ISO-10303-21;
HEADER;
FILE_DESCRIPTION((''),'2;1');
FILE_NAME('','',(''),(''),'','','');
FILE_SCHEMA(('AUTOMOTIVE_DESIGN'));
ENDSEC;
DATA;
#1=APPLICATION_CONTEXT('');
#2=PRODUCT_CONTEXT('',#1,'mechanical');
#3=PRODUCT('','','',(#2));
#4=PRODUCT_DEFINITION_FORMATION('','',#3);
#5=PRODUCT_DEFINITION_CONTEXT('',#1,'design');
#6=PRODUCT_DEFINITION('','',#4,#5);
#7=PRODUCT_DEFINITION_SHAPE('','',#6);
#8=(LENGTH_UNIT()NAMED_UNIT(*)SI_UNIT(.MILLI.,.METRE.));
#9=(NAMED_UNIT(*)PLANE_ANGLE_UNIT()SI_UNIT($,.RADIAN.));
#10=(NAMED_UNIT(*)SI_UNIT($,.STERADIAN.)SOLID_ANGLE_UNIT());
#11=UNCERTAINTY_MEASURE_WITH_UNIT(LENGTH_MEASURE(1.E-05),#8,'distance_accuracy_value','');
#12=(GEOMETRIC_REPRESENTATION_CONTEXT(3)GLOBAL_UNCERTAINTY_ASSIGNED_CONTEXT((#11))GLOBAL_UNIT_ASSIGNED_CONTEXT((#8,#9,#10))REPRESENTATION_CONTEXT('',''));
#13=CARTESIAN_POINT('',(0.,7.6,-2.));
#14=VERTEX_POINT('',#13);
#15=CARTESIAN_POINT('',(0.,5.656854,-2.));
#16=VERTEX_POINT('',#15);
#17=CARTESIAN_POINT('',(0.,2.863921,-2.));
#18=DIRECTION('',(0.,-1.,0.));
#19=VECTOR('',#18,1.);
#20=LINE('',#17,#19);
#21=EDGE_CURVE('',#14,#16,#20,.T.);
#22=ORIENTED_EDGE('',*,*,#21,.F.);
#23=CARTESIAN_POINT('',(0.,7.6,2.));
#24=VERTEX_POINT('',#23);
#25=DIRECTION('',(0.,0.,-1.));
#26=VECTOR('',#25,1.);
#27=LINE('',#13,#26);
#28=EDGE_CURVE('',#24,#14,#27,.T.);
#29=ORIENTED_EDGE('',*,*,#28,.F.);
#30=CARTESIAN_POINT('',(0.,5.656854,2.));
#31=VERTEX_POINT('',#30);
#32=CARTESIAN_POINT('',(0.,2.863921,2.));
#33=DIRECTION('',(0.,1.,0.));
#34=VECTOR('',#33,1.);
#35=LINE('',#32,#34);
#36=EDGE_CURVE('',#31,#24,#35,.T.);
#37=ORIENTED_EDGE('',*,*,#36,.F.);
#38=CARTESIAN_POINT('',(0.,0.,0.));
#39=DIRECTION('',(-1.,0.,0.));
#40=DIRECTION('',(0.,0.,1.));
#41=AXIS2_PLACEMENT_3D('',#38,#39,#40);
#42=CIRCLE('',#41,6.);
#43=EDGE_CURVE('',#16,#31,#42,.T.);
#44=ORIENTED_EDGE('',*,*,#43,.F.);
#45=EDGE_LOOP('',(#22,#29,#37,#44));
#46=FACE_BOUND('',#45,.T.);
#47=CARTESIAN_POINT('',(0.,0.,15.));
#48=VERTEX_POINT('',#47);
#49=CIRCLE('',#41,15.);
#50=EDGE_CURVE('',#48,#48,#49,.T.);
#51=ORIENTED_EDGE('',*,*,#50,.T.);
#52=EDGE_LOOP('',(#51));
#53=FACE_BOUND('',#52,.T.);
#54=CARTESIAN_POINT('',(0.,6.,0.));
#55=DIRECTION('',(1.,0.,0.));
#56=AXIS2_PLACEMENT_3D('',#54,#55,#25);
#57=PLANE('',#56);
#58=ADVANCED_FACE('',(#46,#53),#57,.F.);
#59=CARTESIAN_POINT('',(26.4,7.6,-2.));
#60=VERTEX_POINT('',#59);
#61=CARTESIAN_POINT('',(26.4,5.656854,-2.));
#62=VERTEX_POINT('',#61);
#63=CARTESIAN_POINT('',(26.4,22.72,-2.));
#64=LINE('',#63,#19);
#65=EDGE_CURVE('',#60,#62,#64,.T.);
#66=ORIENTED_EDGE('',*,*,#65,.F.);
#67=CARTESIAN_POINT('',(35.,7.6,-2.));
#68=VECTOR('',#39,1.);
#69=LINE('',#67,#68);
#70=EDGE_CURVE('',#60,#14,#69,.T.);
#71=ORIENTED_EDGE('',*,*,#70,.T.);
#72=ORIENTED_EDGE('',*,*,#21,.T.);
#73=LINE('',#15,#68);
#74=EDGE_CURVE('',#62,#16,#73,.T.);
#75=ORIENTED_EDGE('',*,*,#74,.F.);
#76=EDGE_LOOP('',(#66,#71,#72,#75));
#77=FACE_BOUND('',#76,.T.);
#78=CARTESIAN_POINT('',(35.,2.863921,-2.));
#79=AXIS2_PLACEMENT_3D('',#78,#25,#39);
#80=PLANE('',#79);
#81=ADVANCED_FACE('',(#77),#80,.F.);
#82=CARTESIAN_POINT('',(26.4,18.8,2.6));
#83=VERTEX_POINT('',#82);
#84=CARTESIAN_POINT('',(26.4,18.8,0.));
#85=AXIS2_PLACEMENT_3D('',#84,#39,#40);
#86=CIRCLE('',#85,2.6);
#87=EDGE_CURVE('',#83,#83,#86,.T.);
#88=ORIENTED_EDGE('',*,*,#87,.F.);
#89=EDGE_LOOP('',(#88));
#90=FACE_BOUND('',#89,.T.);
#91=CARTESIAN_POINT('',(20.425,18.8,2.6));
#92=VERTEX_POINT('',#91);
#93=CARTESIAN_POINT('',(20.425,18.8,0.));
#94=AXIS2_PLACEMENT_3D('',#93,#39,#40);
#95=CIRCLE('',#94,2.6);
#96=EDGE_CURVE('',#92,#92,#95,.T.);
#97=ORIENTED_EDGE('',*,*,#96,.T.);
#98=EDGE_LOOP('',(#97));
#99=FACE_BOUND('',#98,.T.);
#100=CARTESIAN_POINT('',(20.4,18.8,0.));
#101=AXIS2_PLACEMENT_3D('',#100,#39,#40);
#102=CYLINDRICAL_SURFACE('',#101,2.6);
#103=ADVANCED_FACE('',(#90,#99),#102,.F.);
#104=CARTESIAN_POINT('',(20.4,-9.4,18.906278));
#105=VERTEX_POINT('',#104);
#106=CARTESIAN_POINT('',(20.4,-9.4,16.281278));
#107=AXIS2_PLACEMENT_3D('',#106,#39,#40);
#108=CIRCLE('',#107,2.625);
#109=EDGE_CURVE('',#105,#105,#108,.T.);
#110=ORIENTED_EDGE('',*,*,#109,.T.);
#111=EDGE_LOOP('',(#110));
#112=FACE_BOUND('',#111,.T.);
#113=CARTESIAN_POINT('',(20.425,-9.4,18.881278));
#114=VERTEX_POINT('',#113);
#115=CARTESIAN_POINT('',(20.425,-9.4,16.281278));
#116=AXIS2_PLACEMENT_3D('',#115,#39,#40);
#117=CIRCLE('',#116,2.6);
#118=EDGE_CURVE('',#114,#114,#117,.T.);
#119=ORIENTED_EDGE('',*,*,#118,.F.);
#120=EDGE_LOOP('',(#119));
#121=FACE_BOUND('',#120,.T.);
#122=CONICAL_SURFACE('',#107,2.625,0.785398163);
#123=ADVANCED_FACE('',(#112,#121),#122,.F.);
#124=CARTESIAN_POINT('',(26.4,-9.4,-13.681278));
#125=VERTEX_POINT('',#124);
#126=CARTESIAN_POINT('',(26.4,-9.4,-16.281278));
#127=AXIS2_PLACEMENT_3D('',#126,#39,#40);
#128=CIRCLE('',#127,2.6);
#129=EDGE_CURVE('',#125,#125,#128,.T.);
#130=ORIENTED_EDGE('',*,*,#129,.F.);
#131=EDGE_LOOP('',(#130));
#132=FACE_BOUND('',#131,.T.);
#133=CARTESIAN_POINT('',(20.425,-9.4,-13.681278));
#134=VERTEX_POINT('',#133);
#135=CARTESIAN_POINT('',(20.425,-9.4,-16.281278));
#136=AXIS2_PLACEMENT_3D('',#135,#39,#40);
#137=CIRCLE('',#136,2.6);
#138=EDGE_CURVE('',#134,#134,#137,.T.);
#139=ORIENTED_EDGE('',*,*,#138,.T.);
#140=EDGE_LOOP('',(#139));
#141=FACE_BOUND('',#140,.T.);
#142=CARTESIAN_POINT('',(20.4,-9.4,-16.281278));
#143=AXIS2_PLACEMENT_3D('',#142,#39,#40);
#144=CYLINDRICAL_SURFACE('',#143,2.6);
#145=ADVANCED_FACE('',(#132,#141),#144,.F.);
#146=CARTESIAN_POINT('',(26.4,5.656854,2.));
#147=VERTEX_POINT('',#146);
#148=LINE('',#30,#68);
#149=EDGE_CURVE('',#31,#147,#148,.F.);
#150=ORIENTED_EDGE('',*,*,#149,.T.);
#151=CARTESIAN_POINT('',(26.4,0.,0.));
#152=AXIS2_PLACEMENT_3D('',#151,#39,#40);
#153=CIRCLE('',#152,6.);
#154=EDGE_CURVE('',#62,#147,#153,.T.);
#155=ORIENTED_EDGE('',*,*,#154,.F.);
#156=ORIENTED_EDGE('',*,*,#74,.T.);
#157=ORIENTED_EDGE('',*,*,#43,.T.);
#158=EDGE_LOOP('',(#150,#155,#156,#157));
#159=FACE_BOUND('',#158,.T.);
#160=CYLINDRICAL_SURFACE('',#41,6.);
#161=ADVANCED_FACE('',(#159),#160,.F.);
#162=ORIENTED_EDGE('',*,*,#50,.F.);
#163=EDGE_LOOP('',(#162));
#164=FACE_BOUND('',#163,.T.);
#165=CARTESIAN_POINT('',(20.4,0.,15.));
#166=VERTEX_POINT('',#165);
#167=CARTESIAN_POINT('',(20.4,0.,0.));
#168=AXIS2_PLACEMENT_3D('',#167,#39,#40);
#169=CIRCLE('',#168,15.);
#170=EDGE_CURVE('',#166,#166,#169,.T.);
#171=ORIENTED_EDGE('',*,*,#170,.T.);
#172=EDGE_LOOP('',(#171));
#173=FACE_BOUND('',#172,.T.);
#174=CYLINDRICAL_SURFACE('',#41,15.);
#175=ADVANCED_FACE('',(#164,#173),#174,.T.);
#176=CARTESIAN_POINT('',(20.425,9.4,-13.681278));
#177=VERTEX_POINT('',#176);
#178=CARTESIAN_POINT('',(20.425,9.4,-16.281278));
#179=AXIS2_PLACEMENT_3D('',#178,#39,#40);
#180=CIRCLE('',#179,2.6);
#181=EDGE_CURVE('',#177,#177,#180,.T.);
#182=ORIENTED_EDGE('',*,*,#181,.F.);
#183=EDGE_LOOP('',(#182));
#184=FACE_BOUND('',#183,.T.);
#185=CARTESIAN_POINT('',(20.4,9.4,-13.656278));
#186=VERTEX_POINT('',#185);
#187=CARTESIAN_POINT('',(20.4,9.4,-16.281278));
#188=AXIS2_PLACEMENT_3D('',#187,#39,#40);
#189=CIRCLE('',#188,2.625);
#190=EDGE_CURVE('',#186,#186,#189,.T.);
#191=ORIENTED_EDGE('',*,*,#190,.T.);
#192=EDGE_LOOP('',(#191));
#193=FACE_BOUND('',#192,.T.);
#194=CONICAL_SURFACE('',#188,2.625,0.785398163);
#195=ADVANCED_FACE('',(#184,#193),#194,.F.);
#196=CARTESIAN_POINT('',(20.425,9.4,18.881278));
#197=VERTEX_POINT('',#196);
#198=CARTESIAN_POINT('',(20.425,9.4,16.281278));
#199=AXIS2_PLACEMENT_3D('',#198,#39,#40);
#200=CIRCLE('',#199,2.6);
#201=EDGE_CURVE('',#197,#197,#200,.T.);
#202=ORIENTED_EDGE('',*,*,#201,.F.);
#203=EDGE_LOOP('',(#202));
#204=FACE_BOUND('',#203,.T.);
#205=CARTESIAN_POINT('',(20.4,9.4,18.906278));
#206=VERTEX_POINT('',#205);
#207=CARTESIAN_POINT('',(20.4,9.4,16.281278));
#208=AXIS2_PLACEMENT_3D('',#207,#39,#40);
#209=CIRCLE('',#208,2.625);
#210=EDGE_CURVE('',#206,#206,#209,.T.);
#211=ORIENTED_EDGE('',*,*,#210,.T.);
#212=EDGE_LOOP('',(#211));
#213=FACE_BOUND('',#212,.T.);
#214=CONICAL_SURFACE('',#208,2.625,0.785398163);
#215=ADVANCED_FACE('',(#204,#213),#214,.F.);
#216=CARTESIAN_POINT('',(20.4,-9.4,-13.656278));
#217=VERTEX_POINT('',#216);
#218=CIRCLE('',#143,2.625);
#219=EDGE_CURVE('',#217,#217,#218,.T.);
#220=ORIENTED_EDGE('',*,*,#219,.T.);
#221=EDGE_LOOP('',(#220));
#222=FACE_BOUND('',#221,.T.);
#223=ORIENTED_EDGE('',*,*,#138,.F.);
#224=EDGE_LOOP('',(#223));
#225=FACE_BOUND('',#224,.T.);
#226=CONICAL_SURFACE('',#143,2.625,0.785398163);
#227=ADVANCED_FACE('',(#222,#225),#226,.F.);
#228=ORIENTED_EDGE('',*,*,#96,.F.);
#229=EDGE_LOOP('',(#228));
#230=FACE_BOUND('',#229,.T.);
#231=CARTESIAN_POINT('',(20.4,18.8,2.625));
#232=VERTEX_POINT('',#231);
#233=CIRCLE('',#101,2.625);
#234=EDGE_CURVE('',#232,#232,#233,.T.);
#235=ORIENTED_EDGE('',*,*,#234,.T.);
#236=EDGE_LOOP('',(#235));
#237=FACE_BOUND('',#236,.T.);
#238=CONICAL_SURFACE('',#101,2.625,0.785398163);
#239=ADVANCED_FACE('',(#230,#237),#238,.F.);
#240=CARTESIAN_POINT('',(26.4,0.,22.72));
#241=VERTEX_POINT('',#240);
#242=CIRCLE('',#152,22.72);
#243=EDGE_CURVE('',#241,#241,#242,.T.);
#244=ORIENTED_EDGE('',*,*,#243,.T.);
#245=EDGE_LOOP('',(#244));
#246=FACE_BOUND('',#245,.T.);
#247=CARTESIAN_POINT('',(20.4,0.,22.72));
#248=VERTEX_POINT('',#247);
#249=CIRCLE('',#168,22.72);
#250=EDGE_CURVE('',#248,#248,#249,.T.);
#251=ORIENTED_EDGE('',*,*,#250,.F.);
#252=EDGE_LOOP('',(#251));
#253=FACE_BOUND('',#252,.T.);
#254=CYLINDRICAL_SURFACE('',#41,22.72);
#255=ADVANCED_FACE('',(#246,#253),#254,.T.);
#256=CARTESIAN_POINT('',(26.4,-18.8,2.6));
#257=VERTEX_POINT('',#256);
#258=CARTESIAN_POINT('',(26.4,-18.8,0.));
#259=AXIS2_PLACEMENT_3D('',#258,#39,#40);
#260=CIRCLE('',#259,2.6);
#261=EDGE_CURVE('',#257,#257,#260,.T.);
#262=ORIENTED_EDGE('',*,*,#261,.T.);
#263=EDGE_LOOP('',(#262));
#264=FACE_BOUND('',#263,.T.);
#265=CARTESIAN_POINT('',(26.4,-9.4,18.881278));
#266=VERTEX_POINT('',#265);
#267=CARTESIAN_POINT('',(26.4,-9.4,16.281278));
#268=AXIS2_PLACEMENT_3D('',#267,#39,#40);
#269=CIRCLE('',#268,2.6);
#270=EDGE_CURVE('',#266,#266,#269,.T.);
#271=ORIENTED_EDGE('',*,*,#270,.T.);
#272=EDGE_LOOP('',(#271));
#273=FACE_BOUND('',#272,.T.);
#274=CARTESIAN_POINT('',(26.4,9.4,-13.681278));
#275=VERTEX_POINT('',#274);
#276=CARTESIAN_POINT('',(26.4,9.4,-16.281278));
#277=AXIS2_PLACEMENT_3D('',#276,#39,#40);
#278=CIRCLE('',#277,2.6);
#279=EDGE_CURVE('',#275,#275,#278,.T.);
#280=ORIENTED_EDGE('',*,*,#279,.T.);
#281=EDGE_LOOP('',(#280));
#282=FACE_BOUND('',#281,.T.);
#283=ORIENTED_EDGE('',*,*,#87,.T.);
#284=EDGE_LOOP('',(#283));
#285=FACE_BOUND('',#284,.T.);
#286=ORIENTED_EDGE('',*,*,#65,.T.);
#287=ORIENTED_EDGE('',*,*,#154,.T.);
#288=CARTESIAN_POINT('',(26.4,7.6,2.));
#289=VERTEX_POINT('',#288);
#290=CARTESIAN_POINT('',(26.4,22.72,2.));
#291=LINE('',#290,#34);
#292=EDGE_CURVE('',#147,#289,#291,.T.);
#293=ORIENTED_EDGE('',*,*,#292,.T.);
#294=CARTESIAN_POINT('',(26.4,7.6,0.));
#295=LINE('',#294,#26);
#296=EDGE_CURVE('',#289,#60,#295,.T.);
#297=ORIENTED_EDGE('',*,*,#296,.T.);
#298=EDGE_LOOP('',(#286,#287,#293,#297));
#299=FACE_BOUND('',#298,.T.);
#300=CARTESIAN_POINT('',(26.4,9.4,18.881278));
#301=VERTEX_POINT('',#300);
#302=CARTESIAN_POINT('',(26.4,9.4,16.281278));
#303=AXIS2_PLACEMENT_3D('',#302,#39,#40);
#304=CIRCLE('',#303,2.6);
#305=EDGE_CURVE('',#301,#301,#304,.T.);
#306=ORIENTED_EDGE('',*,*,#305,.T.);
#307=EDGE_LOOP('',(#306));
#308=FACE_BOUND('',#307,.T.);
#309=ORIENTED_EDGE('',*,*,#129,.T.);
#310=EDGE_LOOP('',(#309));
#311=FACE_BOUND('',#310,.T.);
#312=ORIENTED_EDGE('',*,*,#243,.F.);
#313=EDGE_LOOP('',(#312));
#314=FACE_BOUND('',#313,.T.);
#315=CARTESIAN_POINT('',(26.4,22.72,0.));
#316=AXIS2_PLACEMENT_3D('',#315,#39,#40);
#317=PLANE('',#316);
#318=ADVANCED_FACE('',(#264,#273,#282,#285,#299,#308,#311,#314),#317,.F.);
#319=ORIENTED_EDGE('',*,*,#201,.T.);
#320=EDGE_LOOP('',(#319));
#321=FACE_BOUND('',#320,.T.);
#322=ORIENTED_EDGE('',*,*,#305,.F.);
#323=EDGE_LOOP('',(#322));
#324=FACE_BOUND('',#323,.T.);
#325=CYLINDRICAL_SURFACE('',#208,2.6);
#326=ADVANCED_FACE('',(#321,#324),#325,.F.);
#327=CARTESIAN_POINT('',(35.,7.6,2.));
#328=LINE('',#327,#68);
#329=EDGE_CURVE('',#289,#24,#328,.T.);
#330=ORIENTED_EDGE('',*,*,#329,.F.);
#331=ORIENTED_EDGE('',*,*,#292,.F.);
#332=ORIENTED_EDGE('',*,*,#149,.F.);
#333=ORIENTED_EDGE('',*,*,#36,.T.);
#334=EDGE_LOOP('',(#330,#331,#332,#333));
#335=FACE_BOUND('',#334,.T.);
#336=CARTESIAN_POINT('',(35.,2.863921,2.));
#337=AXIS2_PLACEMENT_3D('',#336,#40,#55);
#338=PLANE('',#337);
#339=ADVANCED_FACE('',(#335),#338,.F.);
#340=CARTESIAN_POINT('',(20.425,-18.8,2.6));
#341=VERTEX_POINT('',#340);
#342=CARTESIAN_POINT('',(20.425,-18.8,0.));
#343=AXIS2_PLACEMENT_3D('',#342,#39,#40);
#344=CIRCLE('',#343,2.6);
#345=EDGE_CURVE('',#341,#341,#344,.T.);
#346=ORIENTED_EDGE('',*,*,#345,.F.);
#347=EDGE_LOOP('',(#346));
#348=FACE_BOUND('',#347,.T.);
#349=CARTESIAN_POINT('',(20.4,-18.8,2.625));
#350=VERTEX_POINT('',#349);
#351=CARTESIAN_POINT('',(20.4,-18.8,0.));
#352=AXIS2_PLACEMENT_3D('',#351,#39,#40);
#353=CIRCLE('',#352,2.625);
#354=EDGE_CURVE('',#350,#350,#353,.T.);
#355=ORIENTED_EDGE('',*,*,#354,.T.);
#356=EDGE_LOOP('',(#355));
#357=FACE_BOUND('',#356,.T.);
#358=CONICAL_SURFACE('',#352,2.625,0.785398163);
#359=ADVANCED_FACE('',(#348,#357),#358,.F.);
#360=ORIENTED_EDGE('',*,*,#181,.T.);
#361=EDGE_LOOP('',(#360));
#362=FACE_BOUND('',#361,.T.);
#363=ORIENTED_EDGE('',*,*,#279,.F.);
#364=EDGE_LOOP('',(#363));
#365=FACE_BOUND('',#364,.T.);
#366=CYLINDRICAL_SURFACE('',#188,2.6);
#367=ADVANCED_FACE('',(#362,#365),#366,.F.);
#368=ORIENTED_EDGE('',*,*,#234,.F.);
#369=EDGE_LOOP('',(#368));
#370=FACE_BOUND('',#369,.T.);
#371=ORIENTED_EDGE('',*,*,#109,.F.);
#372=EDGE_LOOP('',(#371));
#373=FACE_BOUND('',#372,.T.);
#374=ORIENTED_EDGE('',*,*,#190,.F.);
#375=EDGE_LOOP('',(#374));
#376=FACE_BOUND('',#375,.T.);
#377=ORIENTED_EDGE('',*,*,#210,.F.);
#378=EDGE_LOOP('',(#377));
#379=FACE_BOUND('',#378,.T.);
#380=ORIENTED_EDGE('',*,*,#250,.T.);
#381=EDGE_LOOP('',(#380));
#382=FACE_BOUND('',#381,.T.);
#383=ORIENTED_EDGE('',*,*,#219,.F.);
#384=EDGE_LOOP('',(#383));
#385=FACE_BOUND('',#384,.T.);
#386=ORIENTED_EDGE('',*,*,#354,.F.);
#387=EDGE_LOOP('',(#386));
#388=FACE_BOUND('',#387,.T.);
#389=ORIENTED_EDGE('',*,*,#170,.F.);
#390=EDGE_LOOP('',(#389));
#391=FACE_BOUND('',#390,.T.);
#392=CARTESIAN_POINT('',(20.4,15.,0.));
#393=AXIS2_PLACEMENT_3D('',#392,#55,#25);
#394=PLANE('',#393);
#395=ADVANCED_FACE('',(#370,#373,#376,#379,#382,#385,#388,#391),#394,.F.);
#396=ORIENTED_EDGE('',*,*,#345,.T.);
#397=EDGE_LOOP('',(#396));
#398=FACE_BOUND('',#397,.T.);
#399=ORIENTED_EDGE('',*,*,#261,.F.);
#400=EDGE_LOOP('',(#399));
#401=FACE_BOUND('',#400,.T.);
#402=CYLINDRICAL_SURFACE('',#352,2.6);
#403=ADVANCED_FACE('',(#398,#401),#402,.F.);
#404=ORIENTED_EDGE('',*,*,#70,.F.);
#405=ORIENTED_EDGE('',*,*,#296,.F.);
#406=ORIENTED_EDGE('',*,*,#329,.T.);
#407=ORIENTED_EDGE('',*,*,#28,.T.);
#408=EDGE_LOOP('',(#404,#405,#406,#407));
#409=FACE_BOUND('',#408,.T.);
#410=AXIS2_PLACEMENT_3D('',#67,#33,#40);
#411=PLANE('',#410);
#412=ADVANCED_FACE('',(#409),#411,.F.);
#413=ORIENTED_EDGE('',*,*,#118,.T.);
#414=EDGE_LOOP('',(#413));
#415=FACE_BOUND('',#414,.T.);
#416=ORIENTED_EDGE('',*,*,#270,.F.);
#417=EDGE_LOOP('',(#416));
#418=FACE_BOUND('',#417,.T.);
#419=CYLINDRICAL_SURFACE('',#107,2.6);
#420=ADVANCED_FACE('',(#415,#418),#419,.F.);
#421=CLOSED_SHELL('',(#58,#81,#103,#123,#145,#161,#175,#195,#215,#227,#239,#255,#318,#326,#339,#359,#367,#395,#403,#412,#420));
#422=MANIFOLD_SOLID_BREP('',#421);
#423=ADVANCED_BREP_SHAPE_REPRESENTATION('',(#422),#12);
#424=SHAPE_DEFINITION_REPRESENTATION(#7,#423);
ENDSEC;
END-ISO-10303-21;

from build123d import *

# Parameters (mm, degrees)
HOLE_WIZARD_5_2_5_2_1_D           = 5.2
HOLE_WIZARD_5_2_5_2_1_CSINK_D     = 5.25
HOLE_WIZARD_5_2_5_2_1_CSINK_ANGLE = 90
SKETCH_4_W                        = 4
SKETCH_4_H                        = 4.736079205
CUT_EXTRUDE_1_DEPTH               = 35


with BuildPart() as part:
    # 草图1 → 旋转1 (revolve)
    with BuildSketch(Plane.XY, mode=Mode.PRIVATE) as revolve_1_sk:
        Polygon((0, 6), (0, 15), (20.4, 15), (20.4, 22.72), (26.4, 22.72), (26.4, 6), align=None)
    revolve(revolve_1_sk.sketch.rotate(Axis((0, 0, 0), (1, 0, 0)), 90), axis=Axis((0, 0, 0), (1, 0, 0)))

    # Ø5.2 (5.2) 直径孔1 (through all)
    with Locations(Plane.ZY.offset(-20.4)):
        with Locations((0, 18.8), (16.281277591, -9.4), (-16.281277591, -9.4), (0, -18.8), (-16.281277591, 9.4), (16.281277591, 9.4)):
            CounterSinkHole(HOLE_WIZARD_5_2_5_2_1_D / 2, HOLE_WIZARD_5_2_5_2_1_CSINK_D / 2, counter_sink_angle=HOLE_WIZARD_5_2_5_2_1_CSINK_ANGLE)

    # 草图4 → 切除-拉伸1 (cut)
    with BuildSketch(Plane.ZY):
        with Locations((0, 5.231960397)):
            Rectangle(SKETCH_4_W, SKETCH_4_H)
    extrude(amount=-CUT_EXTRUDE_1_DEPTH, mode=Mode.SUBTRACT)


solid = part.part
